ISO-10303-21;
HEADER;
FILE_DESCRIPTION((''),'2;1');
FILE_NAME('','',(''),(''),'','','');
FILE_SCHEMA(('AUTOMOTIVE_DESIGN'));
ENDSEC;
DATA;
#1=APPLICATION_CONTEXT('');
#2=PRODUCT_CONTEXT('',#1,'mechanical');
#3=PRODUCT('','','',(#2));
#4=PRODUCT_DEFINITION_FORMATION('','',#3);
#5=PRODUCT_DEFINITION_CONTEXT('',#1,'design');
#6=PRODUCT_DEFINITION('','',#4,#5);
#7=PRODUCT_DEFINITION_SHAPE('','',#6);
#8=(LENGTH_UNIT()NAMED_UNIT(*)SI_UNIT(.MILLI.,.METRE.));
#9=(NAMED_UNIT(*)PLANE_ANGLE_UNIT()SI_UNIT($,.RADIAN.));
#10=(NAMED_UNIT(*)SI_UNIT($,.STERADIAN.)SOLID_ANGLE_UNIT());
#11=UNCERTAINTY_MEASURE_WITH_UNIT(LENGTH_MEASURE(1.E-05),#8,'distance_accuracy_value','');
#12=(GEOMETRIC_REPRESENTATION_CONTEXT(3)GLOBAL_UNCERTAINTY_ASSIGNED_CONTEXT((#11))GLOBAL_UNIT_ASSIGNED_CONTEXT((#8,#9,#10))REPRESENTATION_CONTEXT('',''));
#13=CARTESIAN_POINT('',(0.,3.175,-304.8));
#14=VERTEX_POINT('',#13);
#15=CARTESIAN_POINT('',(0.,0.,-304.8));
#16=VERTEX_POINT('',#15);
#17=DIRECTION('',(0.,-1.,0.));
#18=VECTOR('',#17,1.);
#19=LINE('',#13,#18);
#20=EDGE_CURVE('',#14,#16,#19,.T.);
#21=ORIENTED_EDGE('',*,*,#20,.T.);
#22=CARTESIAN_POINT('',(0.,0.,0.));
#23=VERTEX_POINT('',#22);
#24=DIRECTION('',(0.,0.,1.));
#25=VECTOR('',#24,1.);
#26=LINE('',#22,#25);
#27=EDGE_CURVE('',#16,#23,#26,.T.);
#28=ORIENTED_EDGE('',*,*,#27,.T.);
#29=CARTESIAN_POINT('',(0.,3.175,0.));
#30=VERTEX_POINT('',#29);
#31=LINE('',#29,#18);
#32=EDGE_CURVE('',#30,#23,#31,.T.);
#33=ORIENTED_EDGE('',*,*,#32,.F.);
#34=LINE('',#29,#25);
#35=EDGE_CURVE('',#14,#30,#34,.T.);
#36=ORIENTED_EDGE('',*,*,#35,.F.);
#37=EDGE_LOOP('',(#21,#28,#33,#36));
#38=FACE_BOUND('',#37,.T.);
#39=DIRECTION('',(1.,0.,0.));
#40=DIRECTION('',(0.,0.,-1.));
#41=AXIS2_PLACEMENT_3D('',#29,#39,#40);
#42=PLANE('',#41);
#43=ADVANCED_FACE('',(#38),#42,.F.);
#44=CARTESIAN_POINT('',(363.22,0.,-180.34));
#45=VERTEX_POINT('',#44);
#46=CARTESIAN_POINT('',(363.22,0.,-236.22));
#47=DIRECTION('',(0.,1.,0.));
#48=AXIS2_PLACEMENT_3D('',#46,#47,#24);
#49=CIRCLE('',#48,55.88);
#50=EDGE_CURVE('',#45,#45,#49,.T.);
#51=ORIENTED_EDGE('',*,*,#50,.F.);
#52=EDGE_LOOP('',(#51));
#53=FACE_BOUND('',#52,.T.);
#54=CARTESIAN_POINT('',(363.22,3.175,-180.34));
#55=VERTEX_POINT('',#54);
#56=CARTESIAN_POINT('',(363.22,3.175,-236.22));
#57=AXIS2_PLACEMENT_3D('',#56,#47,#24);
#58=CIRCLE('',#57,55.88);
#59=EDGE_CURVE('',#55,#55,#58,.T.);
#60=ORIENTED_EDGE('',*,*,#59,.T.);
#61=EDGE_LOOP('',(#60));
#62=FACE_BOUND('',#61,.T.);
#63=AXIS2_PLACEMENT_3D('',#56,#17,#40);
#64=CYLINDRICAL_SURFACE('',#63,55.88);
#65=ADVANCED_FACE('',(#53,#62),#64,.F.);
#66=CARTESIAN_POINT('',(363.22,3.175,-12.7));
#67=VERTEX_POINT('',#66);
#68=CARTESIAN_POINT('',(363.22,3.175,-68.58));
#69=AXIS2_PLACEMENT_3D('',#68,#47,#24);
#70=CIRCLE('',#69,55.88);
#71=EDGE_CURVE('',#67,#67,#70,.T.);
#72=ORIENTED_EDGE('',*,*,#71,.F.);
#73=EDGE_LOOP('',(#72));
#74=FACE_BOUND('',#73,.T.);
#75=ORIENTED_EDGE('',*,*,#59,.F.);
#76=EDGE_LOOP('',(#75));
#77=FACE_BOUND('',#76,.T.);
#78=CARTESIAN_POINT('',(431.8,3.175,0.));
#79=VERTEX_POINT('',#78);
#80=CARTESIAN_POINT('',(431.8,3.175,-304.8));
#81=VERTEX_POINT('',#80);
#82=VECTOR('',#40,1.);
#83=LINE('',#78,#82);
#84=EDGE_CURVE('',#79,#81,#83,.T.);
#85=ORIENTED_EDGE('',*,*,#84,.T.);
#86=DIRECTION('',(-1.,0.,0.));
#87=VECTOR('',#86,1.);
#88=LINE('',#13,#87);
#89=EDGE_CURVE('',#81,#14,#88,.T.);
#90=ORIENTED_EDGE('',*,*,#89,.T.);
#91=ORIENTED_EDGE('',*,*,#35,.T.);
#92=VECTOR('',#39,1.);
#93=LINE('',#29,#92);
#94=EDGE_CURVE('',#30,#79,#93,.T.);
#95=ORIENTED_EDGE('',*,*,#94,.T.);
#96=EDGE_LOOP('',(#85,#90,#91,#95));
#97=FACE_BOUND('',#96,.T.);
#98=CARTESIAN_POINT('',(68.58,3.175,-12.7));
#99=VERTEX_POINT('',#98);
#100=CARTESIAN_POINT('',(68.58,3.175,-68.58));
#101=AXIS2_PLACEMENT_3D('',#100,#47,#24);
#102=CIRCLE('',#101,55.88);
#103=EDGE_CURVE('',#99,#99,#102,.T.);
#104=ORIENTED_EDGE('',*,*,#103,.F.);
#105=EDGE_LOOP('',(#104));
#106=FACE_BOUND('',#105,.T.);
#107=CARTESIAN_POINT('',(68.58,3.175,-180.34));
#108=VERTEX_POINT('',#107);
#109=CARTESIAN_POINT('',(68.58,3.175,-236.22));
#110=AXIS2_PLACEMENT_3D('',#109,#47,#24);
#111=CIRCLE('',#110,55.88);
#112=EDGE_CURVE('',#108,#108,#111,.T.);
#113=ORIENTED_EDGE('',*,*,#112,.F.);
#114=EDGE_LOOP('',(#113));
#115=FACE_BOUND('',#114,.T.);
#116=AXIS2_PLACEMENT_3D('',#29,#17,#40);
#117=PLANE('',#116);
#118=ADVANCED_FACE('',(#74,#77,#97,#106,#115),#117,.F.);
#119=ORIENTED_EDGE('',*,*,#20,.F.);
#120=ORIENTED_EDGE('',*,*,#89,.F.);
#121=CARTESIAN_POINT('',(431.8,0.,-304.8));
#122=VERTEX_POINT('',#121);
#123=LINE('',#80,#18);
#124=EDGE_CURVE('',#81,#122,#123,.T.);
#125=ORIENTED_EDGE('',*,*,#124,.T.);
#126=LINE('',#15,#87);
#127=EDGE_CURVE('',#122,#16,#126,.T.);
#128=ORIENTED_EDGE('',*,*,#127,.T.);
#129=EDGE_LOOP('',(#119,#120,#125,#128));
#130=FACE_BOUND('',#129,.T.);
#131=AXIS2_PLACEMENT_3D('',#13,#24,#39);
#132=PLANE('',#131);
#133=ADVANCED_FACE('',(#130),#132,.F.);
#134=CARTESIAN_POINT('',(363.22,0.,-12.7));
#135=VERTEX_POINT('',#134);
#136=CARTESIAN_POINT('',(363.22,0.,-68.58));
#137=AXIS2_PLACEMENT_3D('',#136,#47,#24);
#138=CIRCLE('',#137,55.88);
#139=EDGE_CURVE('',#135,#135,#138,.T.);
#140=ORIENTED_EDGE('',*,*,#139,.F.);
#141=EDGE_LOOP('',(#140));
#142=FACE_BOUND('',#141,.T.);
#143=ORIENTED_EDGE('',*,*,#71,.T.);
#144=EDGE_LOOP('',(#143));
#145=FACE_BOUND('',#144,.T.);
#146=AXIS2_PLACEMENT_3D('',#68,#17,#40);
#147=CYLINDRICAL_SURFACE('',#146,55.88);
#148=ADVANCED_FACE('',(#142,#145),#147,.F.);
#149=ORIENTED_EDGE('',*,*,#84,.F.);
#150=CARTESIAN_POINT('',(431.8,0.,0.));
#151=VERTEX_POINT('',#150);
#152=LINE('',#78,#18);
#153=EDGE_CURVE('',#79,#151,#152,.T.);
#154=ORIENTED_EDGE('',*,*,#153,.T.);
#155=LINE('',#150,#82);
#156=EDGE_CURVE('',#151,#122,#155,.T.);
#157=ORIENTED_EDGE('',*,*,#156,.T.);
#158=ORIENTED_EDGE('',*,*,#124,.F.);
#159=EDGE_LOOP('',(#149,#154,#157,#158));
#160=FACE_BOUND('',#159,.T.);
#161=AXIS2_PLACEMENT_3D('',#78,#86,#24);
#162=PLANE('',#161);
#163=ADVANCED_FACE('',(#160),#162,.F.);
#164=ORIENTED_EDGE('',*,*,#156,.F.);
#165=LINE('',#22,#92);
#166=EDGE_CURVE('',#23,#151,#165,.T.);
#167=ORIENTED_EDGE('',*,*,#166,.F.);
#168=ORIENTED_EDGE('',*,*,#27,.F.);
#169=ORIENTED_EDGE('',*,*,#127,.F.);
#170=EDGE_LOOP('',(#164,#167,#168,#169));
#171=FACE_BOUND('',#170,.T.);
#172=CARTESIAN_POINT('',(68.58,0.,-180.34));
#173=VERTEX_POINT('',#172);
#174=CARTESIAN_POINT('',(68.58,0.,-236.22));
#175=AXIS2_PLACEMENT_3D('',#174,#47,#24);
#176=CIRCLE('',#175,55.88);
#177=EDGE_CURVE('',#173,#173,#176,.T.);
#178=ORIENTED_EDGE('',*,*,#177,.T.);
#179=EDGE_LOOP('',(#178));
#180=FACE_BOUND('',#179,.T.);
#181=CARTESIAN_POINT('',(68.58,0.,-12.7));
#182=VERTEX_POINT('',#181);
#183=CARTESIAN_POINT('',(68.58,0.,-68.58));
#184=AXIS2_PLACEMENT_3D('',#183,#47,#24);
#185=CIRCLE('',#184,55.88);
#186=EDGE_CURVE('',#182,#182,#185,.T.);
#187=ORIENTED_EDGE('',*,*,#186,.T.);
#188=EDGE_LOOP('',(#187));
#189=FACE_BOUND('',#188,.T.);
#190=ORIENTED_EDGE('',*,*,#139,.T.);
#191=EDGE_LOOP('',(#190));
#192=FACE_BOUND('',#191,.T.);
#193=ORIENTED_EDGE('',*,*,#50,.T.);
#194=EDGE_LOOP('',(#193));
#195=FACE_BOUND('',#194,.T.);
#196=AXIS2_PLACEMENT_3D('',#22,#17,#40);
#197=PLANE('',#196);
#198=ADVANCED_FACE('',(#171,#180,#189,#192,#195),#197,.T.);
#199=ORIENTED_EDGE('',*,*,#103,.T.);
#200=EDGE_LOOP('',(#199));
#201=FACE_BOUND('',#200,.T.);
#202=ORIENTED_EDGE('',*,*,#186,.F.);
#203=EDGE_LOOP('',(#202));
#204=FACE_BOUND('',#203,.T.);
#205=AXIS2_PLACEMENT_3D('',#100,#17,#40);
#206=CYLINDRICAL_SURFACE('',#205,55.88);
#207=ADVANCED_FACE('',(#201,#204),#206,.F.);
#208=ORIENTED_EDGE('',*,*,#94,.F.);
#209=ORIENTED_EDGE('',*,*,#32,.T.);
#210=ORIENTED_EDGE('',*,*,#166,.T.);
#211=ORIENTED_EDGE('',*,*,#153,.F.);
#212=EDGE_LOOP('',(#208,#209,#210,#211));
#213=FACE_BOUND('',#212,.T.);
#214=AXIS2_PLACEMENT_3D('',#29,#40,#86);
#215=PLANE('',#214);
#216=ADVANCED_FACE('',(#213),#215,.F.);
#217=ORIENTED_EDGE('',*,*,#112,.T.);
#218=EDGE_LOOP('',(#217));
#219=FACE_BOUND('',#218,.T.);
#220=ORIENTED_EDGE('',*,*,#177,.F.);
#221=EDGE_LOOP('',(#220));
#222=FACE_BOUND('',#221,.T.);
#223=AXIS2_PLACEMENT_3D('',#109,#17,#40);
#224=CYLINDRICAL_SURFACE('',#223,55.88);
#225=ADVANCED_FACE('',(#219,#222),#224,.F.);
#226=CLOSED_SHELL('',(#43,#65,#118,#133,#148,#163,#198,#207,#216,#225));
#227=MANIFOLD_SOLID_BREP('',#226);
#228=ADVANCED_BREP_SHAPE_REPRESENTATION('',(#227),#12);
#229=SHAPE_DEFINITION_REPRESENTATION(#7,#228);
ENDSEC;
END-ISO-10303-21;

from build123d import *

# Parameters (mm, degrees)
SKETCH1_W           = 431.8
SKETCH1_H           = 304.8
SKETCH1_R           = 55.88
BOSS_EXTRUDE1_DEPTH = 3.175


with BuildPart() as part:
    # Sketch1 → Boss-Extrude1 (new body)
    with BuildSketch(Plane(origin=(0, 0, 0), x_dir=(1, 0, 0), z_dir=(0, 1, 0))):
        with Locations((215.9, 152.4)):
            Rectangle(SKETCH1_W, SKETCH1_H)
        with Locations(Location((68.58, 68.58, 0), (0, 0, 270))):
            Circle(SKETCH1_R, mode=Mode.SUBTRACT)
        with Locations(Location((363.22, 68.58, 0), (0, 0, 270))):
            Circle(SKETCH1_R, mode=Mode.SUBTRACT)
        with Locations(Location((363.22, 236.22, 0), (0, 0, 270))):
            Circle(SKETCH1_R, mode=Mode.SUBTRACT)
        with Locations(Location((68.58, 236.22, 0), (0, 0, 270))):
            Circle(SKETCH1_R, mode=Mode.SUBTRACT)
    extrude(amount=BOSS_EXTRUDE1_DEPTH)


solid = part.part
